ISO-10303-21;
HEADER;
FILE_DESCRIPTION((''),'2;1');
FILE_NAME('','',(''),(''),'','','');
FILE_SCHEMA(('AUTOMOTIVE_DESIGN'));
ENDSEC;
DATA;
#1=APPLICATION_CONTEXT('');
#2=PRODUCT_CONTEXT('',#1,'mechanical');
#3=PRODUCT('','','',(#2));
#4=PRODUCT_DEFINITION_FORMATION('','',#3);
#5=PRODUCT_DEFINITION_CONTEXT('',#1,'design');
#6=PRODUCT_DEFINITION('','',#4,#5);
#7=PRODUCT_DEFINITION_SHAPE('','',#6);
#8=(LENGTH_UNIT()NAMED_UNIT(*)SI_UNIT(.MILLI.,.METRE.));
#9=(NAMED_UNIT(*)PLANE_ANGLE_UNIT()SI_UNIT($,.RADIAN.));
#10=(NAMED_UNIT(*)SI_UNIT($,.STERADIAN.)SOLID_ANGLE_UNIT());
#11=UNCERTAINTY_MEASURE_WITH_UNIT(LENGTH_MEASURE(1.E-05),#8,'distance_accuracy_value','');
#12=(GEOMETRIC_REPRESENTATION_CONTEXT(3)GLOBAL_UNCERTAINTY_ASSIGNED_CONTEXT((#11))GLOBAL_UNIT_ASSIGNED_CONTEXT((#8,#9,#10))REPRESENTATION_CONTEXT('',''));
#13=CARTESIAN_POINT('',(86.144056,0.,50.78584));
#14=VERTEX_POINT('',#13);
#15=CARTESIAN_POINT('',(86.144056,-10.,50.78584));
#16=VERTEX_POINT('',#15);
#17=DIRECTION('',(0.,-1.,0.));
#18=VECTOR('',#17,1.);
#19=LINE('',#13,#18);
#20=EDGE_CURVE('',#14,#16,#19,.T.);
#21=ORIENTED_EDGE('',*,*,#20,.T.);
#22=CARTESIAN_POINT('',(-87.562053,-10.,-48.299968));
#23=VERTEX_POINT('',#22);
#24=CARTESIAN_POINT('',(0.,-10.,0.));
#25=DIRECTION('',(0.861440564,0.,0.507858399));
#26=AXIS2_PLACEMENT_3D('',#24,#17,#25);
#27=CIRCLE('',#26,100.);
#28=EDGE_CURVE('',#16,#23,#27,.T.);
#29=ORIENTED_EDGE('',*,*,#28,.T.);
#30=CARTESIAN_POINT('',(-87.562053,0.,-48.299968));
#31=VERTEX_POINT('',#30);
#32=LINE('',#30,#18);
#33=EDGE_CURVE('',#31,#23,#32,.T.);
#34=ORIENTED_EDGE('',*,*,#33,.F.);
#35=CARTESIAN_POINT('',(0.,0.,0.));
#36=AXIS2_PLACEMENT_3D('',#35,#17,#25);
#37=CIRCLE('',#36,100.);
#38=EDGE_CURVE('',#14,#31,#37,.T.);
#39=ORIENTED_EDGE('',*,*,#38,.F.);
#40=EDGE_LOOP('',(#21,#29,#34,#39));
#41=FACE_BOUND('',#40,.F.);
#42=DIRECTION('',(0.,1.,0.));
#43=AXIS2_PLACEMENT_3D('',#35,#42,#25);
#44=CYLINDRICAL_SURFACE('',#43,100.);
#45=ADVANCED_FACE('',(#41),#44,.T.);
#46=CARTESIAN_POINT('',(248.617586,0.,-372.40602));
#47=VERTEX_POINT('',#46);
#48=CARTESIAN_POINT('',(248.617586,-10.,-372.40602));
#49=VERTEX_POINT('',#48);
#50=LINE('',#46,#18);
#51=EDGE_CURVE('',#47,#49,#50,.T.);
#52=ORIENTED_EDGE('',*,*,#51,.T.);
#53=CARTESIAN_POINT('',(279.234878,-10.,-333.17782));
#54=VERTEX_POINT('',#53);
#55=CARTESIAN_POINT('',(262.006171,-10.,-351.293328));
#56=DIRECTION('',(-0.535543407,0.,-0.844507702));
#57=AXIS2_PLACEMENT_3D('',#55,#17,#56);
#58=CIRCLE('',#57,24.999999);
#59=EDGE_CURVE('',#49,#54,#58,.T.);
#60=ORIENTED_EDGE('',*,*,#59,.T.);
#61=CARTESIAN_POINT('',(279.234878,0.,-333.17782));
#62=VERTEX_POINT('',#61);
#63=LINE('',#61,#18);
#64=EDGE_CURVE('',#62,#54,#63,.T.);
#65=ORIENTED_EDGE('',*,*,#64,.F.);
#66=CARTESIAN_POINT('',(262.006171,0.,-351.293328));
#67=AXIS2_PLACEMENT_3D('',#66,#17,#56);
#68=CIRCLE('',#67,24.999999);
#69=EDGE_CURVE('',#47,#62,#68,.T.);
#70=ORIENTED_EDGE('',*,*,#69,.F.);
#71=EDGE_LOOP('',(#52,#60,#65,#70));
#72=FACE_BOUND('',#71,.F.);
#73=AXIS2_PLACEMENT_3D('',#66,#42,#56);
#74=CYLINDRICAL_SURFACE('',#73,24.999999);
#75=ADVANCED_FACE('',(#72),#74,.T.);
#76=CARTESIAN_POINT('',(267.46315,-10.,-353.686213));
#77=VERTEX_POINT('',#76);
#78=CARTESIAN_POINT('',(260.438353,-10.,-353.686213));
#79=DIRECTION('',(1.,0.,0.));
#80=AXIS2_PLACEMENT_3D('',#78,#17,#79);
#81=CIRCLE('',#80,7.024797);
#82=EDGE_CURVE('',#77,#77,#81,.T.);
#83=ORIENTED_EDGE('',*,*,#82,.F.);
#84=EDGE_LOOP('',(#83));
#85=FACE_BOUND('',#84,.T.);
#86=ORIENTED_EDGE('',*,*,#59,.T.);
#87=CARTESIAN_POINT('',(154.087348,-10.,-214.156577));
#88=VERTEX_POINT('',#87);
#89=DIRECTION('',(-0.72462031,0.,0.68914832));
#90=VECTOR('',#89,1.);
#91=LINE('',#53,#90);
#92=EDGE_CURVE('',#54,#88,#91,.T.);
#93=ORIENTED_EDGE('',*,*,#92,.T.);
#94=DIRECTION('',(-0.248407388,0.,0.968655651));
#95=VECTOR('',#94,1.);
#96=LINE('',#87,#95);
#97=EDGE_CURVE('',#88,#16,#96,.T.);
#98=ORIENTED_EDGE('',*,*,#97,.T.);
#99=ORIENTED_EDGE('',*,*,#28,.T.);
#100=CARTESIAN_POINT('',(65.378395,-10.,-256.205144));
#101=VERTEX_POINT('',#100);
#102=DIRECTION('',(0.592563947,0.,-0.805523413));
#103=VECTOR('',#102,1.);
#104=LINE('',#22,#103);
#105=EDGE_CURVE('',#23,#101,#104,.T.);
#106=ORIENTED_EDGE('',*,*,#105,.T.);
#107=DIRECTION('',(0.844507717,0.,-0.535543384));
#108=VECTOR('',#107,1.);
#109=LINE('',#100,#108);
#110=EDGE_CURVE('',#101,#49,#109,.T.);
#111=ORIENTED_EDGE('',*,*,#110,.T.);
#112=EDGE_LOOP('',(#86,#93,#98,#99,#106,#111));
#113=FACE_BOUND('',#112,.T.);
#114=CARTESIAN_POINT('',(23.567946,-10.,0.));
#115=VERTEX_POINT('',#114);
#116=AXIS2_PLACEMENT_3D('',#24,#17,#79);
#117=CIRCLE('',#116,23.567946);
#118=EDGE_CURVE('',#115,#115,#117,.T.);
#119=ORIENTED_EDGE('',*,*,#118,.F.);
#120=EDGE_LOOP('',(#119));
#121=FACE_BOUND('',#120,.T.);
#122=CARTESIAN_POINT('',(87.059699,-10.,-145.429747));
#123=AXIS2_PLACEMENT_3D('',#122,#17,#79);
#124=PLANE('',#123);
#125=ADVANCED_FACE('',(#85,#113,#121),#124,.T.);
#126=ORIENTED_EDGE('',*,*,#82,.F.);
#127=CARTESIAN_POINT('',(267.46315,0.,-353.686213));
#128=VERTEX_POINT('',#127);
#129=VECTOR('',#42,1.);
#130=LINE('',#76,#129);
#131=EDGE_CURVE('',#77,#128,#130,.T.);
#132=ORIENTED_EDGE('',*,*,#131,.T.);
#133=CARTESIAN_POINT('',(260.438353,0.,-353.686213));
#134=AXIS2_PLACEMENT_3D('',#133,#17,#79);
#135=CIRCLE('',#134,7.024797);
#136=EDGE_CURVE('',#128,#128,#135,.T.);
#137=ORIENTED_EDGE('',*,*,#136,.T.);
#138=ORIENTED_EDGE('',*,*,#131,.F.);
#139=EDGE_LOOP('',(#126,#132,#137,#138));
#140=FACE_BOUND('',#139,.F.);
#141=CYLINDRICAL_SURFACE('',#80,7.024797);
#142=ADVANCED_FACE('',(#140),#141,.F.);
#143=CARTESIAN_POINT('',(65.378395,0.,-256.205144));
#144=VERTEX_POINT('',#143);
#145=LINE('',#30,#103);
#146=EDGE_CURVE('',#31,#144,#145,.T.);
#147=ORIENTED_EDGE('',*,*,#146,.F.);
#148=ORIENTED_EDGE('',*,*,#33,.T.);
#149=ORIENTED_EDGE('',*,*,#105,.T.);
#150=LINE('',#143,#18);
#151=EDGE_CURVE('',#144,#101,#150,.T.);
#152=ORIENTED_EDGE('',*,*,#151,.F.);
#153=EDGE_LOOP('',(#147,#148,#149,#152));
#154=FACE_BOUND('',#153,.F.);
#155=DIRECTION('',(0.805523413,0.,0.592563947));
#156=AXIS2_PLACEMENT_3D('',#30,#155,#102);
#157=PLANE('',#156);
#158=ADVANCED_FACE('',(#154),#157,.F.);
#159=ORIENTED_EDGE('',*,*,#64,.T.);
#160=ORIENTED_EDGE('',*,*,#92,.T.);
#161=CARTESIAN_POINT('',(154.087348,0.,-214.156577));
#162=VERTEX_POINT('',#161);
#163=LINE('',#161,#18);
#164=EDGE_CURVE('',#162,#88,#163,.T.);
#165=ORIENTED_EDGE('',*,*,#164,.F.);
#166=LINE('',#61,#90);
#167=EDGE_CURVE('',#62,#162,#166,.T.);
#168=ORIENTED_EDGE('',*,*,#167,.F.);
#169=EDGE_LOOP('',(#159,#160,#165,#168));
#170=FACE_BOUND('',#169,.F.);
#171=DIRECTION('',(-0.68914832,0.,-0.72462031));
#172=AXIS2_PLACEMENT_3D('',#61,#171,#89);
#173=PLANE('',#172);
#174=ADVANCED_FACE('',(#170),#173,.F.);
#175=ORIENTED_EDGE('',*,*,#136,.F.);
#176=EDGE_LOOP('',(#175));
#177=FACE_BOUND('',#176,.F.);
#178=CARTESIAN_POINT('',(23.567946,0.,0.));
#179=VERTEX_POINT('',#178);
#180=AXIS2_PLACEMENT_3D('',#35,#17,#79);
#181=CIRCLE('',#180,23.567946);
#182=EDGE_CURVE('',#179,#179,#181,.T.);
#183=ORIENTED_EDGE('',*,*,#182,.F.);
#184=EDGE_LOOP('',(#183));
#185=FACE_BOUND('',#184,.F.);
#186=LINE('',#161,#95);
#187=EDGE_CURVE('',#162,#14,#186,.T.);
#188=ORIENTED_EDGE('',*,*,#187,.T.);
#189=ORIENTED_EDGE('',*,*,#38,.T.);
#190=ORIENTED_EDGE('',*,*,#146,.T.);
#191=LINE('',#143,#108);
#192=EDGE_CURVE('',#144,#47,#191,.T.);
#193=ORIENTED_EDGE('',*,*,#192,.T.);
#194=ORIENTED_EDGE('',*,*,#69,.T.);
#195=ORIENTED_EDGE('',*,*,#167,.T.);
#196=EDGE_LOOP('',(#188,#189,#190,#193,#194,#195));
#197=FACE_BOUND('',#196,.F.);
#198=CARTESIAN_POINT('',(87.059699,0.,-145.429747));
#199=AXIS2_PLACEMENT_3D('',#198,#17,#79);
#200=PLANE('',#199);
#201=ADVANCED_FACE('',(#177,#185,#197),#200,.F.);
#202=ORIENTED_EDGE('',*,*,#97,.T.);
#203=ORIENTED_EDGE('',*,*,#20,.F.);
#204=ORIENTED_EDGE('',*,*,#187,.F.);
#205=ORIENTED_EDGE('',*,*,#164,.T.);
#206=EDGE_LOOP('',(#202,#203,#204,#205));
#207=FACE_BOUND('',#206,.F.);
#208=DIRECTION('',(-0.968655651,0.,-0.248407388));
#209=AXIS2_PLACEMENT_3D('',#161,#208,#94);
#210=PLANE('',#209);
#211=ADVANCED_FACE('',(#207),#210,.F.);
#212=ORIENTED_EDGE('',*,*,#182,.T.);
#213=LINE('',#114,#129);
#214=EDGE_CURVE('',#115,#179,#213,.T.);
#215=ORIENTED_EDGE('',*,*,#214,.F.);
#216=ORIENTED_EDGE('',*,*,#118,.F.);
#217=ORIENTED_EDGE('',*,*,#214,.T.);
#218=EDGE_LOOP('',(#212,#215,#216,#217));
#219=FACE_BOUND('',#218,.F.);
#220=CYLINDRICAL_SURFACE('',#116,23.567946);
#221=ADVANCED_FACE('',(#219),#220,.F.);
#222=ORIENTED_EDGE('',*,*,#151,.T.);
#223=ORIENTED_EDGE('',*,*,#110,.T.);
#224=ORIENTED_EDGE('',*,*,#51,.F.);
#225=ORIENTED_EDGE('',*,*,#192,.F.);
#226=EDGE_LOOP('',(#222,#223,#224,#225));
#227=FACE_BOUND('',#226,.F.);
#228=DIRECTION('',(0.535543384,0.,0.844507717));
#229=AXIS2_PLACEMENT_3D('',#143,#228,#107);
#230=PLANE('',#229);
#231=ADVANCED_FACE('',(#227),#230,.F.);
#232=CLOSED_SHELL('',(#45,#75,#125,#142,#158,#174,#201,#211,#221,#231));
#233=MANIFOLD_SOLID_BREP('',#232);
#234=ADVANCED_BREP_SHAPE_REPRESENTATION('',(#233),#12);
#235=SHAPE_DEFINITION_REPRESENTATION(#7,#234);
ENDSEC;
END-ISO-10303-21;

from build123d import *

# Parameters (mm, degrees)
F1_DEPTH = 10
F3_R     = 23.567946
F3_R_2   = 7.024797
F4_DEPTH = 71.12


with BuildPart() as f1:
    # F0 (on Front) → F1 (new body)
    with BuildSketch(Plane.XZ):
        with BuildLine():
            Line((154.087348, -214.156577), (86.144056, 50.78584))
            ThreePointArc((86.144056, 50.78584), (-49.547977, 86.861948), (-87.562053, -48.299968))
            Line((-87.562053, -48.299968), (65.378395, -256.205144))
            Line((65.378395, -256.205144), (248.617586, -372.40602))
            ThreePointArc((248.617586, -372.40602), (281.714026, -366.675149), (279.234878, -333.17782))
            Line((279.234878, -333.17782), (154.087348, -214.156577))
        make_face()
    extrude(amount=F1_DEPTH)

    # F3 (on face) → F4 (cut)
    with BuildSketch(Plane.XZ.offset(10)):
        Circle(F3_R)
        with Locations((260.438353, -353.686213)):
            Circle(F3_R_2)
    extrude(amount=-F4_DEPTH, mode=Mode.SUBTRACT)


solid = f1.part
